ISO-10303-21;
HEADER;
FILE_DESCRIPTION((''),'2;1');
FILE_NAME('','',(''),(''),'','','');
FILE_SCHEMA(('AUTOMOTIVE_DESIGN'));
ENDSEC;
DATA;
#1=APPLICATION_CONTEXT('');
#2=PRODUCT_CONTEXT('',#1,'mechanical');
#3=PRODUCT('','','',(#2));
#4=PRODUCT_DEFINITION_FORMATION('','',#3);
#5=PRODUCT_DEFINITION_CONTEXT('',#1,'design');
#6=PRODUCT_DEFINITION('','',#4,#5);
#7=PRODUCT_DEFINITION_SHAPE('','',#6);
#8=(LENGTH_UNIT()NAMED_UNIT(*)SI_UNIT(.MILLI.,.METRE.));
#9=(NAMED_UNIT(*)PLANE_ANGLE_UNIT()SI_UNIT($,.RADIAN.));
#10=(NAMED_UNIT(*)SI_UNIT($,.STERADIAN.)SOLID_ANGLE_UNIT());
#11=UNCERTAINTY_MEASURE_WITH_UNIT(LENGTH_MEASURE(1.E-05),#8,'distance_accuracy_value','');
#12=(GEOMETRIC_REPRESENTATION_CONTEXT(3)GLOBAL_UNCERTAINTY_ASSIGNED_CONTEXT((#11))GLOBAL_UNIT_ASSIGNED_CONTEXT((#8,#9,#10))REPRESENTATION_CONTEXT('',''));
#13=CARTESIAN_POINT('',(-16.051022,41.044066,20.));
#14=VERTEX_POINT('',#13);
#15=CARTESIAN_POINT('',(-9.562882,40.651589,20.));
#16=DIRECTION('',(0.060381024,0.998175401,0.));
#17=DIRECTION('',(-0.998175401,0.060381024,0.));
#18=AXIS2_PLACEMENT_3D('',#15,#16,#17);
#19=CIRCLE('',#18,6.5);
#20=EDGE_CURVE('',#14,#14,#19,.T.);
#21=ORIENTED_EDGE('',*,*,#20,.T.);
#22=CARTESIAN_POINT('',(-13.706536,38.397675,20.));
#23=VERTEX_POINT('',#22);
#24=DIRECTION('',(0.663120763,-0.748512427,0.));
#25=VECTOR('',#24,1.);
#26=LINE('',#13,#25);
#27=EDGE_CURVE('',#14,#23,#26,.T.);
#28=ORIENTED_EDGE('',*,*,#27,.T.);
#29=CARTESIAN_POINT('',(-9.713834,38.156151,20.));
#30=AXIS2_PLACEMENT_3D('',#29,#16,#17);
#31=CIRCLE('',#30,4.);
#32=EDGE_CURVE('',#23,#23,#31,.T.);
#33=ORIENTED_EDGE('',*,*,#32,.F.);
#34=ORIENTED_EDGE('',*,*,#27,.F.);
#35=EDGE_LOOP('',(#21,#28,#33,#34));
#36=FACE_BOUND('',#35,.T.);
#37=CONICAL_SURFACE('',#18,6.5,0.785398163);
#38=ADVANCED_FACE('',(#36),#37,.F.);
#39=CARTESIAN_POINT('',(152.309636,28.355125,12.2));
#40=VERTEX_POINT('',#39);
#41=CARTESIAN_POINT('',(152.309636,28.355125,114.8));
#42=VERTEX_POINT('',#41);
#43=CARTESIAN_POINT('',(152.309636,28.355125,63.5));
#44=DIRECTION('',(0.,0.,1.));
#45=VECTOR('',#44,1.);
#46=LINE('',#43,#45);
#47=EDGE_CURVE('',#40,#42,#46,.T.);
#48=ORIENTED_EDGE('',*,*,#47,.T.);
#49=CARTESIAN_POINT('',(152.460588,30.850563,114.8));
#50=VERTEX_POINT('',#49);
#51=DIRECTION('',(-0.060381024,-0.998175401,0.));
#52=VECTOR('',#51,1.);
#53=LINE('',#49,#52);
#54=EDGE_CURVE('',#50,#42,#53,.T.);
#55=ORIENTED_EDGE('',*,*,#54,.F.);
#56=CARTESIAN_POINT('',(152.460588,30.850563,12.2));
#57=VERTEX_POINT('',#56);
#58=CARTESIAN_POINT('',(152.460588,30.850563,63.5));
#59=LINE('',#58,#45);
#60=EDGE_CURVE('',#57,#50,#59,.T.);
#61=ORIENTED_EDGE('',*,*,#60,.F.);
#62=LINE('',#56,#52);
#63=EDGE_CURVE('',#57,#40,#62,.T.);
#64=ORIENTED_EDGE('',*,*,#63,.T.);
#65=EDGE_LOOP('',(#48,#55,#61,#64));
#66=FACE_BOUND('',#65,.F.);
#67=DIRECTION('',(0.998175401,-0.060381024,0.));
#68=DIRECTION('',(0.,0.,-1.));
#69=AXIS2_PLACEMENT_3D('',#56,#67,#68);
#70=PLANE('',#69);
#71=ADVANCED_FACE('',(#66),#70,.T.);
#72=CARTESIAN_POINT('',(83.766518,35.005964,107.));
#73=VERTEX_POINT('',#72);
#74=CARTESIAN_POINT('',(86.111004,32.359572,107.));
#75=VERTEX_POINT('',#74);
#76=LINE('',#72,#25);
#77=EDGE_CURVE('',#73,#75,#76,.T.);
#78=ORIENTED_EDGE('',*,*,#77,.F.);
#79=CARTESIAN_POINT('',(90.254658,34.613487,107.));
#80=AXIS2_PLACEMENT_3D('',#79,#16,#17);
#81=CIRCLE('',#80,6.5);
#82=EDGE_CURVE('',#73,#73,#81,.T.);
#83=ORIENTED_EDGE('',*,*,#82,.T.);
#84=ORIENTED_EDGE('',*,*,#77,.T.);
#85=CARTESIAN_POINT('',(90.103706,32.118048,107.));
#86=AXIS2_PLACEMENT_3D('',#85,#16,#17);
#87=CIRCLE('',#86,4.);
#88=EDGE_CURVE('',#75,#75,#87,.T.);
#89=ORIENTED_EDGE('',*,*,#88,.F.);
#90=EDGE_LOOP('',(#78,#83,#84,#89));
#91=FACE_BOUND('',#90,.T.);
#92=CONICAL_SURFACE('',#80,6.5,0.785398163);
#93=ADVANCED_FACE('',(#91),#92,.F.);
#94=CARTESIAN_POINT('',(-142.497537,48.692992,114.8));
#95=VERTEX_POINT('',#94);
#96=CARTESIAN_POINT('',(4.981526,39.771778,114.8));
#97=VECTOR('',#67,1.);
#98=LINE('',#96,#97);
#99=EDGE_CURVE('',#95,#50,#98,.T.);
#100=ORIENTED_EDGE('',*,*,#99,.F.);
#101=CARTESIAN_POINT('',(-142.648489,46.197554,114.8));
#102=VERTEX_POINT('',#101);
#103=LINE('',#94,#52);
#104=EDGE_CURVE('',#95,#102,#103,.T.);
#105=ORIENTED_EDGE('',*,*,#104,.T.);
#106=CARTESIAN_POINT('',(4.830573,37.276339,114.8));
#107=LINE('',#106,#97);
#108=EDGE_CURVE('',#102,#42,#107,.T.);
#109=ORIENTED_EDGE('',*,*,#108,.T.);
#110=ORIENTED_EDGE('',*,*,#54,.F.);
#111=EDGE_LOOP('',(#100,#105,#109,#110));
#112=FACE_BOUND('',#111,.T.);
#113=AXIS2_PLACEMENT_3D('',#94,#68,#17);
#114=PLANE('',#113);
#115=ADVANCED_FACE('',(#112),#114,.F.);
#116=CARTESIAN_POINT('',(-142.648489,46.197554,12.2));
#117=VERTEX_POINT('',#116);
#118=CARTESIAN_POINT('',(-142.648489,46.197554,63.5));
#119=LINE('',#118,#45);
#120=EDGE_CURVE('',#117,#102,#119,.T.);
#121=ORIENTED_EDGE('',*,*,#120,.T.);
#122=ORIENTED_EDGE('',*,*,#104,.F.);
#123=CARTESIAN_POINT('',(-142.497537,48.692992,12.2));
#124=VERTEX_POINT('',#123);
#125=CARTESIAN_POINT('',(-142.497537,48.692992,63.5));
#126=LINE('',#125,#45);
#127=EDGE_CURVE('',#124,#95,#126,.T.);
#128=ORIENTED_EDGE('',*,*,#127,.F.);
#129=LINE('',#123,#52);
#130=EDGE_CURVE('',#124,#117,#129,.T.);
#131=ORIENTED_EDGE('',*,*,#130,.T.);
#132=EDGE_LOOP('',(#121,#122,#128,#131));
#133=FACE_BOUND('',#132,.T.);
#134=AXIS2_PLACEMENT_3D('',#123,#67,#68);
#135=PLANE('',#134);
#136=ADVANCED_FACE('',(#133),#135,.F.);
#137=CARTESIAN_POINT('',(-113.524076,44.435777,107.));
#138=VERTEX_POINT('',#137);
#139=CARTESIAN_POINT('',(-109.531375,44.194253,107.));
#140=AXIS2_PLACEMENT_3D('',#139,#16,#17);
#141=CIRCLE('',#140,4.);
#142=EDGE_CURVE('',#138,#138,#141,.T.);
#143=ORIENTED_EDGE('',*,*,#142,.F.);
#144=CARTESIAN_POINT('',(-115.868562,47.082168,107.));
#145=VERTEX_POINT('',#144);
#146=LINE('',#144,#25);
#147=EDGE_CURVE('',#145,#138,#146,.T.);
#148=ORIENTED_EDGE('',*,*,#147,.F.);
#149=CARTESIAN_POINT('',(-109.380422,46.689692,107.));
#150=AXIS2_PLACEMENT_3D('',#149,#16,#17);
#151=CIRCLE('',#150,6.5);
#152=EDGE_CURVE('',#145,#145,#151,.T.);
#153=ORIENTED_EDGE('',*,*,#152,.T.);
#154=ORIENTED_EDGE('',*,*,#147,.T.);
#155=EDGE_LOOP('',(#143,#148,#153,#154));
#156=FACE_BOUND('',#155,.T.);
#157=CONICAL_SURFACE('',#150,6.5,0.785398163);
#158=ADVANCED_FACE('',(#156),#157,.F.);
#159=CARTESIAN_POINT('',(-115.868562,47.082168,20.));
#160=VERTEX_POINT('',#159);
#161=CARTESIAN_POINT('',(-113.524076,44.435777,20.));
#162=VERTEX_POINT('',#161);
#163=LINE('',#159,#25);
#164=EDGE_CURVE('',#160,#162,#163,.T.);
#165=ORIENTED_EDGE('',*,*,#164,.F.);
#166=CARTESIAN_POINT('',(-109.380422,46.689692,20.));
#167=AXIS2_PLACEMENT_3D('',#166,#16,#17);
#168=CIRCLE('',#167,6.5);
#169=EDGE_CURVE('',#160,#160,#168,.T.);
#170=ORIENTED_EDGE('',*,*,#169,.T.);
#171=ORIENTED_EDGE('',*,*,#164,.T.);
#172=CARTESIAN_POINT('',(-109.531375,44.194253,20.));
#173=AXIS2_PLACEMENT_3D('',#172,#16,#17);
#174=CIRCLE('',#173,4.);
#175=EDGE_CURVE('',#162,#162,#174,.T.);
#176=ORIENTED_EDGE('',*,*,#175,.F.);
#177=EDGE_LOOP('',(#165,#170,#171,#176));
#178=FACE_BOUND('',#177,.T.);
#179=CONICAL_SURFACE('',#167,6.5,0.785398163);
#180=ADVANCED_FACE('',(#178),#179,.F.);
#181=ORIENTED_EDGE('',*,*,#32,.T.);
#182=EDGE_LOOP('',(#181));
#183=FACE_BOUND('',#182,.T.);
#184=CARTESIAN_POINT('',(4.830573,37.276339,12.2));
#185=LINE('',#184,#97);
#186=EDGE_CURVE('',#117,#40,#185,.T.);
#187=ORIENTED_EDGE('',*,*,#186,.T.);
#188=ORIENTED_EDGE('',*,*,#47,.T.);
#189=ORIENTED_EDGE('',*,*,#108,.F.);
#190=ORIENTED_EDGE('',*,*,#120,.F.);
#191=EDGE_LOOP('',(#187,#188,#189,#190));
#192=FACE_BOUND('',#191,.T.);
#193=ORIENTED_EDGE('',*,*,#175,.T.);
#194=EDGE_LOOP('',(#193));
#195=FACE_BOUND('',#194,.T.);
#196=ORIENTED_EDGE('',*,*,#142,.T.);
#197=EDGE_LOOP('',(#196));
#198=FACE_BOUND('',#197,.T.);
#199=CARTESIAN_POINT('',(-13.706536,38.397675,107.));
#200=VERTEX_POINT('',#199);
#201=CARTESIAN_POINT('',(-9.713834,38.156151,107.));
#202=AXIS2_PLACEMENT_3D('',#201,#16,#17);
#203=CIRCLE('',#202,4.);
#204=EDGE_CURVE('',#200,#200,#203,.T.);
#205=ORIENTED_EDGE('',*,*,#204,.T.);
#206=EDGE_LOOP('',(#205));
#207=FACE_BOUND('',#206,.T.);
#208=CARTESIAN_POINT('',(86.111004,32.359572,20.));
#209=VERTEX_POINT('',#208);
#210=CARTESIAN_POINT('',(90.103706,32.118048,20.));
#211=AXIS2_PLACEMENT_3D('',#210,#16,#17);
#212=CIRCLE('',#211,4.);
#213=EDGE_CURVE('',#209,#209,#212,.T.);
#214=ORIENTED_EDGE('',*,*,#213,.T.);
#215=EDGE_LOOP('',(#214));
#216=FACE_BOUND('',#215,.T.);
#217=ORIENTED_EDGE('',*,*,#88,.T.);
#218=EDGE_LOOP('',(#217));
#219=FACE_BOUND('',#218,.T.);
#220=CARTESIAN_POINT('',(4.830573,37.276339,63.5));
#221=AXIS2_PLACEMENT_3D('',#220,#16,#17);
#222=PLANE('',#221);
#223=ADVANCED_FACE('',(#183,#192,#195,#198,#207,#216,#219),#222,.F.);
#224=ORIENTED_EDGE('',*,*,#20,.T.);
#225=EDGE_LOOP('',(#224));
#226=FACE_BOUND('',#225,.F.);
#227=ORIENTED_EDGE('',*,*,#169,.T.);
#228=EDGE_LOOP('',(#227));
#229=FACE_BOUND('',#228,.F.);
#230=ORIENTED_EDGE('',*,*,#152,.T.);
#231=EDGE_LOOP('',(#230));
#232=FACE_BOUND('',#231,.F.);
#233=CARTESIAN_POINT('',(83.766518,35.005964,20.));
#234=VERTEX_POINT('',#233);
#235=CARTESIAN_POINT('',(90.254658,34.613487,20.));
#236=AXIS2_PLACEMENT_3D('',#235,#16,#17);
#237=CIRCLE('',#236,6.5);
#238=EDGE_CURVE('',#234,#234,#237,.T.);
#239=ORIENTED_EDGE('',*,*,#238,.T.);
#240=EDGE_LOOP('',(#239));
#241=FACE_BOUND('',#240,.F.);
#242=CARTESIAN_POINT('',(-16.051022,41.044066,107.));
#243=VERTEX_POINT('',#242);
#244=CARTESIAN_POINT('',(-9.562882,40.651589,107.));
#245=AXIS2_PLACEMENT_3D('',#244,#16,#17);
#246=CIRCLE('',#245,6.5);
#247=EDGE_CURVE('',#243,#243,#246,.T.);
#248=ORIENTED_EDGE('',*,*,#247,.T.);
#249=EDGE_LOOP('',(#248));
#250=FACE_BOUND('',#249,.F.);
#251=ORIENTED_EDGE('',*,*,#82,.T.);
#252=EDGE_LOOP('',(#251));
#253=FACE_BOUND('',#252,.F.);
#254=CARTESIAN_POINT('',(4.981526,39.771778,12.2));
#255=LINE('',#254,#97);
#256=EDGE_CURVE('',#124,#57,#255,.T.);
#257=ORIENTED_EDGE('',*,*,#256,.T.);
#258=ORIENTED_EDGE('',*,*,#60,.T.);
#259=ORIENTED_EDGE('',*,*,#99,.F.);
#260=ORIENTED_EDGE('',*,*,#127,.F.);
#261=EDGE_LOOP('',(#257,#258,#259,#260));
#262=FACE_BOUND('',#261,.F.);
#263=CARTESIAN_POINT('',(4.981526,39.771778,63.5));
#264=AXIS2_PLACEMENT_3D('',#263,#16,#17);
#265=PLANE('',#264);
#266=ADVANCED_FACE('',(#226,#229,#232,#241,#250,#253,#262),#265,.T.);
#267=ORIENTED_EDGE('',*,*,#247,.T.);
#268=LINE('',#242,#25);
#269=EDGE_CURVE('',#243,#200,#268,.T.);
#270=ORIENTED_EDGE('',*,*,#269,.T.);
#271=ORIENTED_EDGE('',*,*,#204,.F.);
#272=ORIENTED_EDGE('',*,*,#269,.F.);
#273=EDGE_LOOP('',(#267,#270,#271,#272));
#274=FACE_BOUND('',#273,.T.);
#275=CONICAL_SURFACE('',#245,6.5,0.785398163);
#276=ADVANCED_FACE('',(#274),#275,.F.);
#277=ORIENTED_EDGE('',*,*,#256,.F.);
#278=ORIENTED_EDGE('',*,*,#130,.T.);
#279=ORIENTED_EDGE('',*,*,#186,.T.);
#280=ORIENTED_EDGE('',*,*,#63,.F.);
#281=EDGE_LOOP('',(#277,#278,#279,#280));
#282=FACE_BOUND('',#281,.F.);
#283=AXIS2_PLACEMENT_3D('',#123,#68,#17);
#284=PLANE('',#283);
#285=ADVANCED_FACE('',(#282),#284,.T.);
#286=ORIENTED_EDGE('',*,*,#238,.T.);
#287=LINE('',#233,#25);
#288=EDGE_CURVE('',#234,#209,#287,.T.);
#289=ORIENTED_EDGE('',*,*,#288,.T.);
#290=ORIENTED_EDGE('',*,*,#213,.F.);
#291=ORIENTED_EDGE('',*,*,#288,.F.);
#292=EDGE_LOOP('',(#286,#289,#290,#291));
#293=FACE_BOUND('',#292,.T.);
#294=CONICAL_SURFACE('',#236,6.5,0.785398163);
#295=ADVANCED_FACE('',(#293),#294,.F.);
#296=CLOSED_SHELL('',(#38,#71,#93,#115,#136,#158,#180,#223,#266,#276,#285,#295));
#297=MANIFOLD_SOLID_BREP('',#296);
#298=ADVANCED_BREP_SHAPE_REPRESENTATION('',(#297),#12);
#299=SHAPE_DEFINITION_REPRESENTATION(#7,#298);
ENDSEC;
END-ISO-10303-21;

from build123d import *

# Parameters (mm, degrees)
SKETCH005_W      = 295.497289
SKETCH005_H      = 102.6
SKETCH005_R      = 3.5
PAD005_DEPTH     = 2.5
HOLE_D           = 4.5
HOLE_DEPTH       = 25
HOLE_CSINK_D     = 13
HOLE_CSINK_ANGLE = 90


with BuildPart() as belt_backing_plate:
    # Sketch005 (on DatumPlane) → Pad005 (new body)
    with BuildSketch(Plane(origin=(2.415223, -39.927017, 0), x_dir=(0.998175, 0.060381, 0), z_dir=(0.060381, -0.998175, 0))):
        with Locations((2.570994, 63.5)):
            Rectangle(SKETCH005_W, SKETCH005_H)
        with Locations((-112, 107)):
            Circle(SKETCH005_R, mode=Mode.SUBTRACT)
        with Locations((-12, 107)):
            Circle(SKETCH005_R, mode=Mode.SUBTRACT)
        with Locations((88, 107)):
            Circle(SKETCH005_R, mode=Mode.SUBTRACT)
        with Locations((-112, 20)):
            Circle(SKETCH005_R, mode=Mode.SUBTRACT)
        with Locations((-12, 20)):
            Circle(SKETCH005_R, mode=Mode.SUBTRACT)
        with Locations((88, 20)):
            Circle(SKETCH005_R, mode=Mode.SUBTRACT)
    extrude(amount=-PAD005_DEPTH)

    # Hole
    with Locations(Plane(origin=(2.415223, -39.927017, 0), x_dir=(0.998175, 0.060381, 0), z_dir=(0.060381, -0.998175, 0))):
        with Locations((-112, 107), (-12, 107), (88, 107), (-112, 20), (-12, 20), (88, 20)):
            CounterSinkHole(HOLE_D / 2, HOLE_CSINK_D / 2, depth=HOLE_DEPTH, counter_sink_angle=HOLE_CSINK_ANGLE)


with BuildPart() as part_mirroring:
    # Part__Mirroring: instance of Belt backing plate
    add(belt_backing_plate.part.mirror(Plane(origin=(0, 0, 0), x_dir=(-1, 0, 0), z_dir=(0, -1, 0))))


solid = part_mirroring.part
